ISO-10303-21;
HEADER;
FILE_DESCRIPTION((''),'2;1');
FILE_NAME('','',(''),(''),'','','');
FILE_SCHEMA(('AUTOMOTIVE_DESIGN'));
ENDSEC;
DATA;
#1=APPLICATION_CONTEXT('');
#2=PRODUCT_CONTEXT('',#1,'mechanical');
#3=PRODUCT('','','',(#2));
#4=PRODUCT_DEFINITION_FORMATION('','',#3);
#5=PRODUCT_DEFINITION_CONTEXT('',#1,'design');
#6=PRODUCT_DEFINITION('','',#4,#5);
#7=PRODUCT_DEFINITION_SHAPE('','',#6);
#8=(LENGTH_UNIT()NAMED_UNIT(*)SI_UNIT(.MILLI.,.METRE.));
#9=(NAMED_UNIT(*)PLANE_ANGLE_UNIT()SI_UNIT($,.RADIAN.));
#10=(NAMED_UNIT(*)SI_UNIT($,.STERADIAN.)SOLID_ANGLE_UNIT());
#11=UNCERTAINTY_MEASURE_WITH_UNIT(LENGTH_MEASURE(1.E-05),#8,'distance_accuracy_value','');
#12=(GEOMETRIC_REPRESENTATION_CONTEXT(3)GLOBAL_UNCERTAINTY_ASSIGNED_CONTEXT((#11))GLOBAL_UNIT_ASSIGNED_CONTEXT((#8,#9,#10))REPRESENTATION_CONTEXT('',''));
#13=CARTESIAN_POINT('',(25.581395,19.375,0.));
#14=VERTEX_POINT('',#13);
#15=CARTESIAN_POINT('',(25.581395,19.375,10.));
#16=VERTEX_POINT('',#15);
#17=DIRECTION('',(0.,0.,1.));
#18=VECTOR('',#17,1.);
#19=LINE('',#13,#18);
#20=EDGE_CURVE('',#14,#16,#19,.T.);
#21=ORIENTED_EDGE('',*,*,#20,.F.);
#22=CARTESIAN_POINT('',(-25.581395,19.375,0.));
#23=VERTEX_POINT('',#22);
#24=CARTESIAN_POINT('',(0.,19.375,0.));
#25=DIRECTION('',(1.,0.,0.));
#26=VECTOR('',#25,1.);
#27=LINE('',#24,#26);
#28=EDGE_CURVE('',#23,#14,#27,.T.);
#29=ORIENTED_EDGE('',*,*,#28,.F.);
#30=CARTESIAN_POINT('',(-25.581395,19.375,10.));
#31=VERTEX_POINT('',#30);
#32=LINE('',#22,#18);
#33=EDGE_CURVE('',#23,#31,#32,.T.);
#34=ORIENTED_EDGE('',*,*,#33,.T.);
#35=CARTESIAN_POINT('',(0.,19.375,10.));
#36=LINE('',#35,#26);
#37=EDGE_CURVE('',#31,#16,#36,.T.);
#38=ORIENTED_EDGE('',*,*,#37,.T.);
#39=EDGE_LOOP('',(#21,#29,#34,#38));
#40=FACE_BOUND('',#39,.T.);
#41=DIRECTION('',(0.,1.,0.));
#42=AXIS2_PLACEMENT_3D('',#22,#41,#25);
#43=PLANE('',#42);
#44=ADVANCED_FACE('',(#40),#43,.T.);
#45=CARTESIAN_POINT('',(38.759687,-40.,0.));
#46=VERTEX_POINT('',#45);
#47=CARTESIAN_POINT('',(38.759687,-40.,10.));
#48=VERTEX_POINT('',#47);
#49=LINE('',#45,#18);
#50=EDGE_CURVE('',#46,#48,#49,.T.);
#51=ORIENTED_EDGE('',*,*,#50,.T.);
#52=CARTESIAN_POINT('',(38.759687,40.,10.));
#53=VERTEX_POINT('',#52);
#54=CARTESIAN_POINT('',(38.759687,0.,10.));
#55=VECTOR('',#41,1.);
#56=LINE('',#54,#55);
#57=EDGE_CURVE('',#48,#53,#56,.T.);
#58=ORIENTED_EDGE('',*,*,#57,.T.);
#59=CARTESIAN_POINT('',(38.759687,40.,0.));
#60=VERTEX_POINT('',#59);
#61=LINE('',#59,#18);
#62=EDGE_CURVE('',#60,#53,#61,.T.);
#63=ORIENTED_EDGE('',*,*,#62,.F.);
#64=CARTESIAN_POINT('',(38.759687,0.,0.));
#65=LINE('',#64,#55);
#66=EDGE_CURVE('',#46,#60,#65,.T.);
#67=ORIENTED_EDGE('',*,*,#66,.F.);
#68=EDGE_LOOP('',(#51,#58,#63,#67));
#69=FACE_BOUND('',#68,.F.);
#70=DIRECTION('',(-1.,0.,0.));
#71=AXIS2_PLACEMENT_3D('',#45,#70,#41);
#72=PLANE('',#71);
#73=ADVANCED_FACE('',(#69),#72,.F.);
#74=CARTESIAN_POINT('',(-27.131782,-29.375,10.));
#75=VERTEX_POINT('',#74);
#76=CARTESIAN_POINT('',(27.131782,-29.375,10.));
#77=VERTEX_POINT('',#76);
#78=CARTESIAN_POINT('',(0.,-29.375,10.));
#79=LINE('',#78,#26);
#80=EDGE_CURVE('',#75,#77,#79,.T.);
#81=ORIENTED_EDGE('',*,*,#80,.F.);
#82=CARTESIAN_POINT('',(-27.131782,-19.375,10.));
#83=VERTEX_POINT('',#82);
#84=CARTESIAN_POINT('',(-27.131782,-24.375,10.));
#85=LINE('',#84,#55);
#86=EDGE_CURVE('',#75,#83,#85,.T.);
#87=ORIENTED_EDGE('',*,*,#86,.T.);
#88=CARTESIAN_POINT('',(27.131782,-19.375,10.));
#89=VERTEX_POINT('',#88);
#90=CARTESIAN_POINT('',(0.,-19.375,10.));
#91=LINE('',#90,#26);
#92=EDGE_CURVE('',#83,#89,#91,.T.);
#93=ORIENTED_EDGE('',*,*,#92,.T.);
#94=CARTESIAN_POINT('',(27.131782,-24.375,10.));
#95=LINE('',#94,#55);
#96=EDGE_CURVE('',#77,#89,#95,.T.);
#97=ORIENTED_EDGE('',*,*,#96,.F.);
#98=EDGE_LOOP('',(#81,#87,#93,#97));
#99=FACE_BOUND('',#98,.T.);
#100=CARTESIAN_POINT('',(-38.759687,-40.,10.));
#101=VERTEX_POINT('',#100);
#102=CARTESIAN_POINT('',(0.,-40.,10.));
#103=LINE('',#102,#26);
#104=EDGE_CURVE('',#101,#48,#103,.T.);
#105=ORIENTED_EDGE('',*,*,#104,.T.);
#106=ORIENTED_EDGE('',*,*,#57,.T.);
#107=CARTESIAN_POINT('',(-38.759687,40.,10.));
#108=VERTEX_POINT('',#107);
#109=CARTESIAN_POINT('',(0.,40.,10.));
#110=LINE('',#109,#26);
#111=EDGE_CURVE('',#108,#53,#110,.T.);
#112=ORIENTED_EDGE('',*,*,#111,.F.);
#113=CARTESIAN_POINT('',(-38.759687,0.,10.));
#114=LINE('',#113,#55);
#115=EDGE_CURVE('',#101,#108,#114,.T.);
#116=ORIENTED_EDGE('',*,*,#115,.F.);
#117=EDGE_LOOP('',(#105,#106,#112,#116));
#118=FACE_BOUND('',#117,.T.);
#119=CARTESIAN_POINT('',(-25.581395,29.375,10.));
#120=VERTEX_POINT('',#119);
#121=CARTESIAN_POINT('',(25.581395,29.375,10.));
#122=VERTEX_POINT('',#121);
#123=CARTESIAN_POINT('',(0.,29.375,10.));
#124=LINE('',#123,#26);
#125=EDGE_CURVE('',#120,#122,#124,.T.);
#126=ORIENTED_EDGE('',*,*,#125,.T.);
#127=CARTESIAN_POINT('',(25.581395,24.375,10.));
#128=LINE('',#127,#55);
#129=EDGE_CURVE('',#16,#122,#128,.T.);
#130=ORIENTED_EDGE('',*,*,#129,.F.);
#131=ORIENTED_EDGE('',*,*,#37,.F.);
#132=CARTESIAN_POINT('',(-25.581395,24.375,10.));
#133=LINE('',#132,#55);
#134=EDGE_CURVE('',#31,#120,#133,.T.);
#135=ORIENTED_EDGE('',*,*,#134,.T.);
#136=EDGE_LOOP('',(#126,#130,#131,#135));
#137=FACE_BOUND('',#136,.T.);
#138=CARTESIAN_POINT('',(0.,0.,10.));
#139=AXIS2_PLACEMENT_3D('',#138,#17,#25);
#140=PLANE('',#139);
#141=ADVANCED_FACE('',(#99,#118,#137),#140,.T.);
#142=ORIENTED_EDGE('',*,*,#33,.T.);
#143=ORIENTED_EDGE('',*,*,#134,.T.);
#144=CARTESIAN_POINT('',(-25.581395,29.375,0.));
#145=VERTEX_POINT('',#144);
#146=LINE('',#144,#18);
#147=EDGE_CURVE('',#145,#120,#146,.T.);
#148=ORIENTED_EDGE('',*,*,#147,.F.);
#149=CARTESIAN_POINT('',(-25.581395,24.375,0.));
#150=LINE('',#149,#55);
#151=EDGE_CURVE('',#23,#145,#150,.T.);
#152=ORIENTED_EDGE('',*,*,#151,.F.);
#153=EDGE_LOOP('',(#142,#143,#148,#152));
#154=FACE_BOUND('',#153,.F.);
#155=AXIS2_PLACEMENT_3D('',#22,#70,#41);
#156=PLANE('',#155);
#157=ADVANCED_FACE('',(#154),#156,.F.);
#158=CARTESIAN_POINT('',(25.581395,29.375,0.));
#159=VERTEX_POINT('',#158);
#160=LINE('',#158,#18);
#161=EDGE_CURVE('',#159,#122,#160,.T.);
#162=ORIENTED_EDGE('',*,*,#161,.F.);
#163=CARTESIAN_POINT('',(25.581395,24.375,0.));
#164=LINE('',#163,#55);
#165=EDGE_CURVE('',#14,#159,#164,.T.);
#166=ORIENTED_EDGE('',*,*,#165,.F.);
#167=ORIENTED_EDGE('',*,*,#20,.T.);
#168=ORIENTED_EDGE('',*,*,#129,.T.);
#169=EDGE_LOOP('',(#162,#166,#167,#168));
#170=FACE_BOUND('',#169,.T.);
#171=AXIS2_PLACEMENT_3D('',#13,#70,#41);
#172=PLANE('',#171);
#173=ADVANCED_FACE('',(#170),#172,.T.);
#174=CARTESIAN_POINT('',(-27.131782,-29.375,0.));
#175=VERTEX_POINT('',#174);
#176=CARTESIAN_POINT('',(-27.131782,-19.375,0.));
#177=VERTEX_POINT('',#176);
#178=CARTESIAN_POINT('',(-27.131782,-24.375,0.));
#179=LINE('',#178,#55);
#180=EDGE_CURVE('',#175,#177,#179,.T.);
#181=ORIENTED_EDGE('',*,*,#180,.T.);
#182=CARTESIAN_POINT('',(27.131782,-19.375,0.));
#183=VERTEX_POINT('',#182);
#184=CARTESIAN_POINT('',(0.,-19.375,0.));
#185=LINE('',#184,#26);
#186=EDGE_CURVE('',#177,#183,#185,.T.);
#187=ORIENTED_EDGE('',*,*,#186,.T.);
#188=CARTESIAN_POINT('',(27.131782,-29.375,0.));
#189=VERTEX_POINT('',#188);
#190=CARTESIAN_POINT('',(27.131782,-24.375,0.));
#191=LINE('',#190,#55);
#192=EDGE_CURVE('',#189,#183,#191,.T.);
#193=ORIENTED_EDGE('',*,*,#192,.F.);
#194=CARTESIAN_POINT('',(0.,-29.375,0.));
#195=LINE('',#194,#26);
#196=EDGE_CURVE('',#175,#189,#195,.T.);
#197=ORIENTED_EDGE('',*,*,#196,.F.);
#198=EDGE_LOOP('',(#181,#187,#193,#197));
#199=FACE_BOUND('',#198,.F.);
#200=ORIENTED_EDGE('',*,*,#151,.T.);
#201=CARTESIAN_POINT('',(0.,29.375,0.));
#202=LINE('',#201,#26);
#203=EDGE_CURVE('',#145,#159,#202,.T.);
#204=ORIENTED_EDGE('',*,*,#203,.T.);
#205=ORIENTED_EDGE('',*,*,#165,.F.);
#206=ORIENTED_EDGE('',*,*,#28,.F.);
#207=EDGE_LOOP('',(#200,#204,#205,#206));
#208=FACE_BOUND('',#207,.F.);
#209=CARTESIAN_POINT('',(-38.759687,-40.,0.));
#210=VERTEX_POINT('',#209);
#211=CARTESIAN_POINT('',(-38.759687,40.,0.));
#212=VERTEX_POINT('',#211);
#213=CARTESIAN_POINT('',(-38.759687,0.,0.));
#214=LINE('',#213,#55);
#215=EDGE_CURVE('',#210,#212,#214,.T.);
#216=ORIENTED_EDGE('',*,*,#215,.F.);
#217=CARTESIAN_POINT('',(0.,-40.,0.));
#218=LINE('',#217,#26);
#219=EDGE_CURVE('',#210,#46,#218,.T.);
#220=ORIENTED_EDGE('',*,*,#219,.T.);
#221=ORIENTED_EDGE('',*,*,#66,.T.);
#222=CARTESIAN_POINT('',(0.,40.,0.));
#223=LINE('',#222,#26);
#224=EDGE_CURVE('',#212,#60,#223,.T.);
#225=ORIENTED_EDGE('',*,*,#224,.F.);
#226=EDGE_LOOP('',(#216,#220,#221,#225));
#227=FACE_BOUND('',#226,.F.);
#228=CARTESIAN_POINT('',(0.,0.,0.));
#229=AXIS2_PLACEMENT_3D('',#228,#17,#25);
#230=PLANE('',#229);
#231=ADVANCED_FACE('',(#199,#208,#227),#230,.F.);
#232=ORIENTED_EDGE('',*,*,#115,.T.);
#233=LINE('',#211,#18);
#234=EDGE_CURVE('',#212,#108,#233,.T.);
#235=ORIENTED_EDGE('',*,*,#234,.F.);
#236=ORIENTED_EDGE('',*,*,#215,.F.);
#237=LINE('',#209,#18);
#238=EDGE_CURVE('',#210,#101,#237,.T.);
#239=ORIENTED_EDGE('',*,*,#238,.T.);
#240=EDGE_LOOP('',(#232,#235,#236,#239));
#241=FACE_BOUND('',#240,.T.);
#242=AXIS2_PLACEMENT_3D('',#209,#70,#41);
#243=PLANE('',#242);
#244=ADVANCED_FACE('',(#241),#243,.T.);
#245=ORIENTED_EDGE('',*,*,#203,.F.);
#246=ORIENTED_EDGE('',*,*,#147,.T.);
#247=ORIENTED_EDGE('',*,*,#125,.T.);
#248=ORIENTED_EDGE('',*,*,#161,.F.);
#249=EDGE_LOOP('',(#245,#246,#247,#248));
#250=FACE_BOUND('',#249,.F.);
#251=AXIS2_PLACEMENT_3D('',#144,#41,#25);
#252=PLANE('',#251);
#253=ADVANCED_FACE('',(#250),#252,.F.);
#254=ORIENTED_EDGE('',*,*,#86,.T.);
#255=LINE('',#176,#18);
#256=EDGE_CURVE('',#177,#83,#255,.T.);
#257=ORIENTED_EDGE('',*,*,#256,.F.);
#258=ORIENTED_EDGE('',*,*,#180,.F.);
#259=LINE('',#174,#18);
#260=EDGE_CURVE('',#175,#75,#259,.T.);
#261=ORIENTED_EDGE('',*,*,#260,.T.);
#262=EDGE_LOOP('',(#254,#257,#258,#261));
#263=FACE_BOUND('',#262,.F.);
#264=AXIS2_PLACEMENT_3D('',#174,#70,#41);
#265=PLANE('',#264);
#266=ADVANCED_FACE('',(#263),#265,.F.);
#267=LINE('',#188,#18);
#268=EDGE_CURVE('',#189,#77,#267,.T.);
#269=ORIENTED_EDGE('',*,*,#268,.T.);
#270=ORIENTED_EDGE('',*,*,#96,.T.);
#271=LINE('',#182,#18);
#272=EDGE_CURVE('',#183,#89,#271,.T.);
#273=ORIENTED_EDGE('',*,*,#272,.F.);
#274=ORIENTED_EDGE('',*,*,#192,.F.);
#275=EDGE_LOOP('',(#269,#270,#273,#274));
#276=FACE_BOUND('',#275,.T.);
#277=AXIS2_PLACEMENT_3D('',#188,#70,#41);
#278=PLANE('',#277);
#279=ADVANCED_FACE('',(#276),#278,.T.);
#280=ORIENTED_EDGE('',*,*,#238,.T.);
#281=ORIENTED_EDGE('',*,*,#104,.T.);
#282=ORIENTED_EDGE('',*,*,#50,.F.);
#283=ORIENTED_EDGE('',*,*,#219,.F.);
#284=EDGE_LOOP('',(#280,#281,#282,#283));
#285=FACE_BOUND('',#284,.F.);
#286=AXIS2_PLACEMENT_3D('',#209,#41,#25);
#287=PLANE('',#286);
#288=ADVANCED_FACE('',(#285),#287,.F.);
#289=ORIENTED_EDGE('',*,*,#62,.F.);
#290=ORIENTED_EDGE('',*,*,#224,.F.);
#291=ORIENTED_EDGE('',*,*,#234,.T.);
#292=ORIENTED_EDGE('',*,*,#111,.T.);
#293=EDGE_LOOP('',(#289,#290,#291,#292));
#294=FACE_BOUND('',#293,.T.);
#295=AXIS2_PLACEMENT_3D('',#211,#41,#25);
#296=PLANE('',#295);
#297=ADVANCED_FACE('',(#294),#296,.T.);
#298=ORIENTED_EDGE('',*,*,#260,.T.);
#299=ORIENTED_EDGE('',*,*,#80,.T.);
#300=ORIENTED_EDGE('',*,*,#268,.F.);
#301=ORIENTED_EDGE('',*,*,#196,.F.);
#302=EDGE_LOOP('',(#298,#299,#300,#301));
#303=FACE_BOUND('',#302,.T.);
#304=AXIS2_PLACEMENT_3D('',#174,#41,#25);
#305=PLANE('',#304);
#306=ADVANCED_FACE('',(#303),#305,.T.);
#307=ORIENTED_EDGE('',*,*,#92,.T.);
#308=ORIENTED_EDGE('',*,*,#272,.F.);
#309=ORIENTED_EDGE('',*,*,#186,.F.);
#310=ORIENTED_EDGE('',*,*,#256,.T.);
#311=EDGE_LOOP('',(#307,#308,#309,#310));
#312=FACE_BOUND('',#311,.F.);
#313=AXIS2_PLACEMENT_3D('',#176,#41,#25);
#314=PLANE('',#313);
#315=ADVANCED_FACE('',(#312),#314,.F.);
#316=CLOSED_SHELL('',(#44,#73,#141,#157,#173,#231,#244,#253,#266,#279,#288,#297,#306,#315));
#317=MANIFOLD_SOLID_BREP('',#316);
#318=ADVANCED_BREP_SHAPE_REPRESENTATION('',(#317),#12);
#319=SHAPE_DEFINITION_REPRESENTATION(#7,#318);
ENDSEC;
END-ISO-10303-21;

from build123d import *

# Parameters (mm, degrees)
F0_W     = 77.519374
F0_H     = 80
F0_W_2   = 54.263564
F0_H_2   = 10
F0_W_3   = 51.16279
F1_DEPTH = 10


with BuildPart() as f1:
    # F0 (on Top) → F1 (new body)
    with BuildSketch(Plane.XY):
        Rectangle(F0_W, F0_H)
        with Locations((0, -24.375)):
            Rectangle(F0_W_2, F0_H_2, mode=Mode.SUBTRACT)
        with Locations((0, 24.375)):
            Rectangle(F0_W_3, F0_H_2, mode=Mode.SUBTRACT)
    extrude(amount=F1_DEPTH)


solid = f1.part
